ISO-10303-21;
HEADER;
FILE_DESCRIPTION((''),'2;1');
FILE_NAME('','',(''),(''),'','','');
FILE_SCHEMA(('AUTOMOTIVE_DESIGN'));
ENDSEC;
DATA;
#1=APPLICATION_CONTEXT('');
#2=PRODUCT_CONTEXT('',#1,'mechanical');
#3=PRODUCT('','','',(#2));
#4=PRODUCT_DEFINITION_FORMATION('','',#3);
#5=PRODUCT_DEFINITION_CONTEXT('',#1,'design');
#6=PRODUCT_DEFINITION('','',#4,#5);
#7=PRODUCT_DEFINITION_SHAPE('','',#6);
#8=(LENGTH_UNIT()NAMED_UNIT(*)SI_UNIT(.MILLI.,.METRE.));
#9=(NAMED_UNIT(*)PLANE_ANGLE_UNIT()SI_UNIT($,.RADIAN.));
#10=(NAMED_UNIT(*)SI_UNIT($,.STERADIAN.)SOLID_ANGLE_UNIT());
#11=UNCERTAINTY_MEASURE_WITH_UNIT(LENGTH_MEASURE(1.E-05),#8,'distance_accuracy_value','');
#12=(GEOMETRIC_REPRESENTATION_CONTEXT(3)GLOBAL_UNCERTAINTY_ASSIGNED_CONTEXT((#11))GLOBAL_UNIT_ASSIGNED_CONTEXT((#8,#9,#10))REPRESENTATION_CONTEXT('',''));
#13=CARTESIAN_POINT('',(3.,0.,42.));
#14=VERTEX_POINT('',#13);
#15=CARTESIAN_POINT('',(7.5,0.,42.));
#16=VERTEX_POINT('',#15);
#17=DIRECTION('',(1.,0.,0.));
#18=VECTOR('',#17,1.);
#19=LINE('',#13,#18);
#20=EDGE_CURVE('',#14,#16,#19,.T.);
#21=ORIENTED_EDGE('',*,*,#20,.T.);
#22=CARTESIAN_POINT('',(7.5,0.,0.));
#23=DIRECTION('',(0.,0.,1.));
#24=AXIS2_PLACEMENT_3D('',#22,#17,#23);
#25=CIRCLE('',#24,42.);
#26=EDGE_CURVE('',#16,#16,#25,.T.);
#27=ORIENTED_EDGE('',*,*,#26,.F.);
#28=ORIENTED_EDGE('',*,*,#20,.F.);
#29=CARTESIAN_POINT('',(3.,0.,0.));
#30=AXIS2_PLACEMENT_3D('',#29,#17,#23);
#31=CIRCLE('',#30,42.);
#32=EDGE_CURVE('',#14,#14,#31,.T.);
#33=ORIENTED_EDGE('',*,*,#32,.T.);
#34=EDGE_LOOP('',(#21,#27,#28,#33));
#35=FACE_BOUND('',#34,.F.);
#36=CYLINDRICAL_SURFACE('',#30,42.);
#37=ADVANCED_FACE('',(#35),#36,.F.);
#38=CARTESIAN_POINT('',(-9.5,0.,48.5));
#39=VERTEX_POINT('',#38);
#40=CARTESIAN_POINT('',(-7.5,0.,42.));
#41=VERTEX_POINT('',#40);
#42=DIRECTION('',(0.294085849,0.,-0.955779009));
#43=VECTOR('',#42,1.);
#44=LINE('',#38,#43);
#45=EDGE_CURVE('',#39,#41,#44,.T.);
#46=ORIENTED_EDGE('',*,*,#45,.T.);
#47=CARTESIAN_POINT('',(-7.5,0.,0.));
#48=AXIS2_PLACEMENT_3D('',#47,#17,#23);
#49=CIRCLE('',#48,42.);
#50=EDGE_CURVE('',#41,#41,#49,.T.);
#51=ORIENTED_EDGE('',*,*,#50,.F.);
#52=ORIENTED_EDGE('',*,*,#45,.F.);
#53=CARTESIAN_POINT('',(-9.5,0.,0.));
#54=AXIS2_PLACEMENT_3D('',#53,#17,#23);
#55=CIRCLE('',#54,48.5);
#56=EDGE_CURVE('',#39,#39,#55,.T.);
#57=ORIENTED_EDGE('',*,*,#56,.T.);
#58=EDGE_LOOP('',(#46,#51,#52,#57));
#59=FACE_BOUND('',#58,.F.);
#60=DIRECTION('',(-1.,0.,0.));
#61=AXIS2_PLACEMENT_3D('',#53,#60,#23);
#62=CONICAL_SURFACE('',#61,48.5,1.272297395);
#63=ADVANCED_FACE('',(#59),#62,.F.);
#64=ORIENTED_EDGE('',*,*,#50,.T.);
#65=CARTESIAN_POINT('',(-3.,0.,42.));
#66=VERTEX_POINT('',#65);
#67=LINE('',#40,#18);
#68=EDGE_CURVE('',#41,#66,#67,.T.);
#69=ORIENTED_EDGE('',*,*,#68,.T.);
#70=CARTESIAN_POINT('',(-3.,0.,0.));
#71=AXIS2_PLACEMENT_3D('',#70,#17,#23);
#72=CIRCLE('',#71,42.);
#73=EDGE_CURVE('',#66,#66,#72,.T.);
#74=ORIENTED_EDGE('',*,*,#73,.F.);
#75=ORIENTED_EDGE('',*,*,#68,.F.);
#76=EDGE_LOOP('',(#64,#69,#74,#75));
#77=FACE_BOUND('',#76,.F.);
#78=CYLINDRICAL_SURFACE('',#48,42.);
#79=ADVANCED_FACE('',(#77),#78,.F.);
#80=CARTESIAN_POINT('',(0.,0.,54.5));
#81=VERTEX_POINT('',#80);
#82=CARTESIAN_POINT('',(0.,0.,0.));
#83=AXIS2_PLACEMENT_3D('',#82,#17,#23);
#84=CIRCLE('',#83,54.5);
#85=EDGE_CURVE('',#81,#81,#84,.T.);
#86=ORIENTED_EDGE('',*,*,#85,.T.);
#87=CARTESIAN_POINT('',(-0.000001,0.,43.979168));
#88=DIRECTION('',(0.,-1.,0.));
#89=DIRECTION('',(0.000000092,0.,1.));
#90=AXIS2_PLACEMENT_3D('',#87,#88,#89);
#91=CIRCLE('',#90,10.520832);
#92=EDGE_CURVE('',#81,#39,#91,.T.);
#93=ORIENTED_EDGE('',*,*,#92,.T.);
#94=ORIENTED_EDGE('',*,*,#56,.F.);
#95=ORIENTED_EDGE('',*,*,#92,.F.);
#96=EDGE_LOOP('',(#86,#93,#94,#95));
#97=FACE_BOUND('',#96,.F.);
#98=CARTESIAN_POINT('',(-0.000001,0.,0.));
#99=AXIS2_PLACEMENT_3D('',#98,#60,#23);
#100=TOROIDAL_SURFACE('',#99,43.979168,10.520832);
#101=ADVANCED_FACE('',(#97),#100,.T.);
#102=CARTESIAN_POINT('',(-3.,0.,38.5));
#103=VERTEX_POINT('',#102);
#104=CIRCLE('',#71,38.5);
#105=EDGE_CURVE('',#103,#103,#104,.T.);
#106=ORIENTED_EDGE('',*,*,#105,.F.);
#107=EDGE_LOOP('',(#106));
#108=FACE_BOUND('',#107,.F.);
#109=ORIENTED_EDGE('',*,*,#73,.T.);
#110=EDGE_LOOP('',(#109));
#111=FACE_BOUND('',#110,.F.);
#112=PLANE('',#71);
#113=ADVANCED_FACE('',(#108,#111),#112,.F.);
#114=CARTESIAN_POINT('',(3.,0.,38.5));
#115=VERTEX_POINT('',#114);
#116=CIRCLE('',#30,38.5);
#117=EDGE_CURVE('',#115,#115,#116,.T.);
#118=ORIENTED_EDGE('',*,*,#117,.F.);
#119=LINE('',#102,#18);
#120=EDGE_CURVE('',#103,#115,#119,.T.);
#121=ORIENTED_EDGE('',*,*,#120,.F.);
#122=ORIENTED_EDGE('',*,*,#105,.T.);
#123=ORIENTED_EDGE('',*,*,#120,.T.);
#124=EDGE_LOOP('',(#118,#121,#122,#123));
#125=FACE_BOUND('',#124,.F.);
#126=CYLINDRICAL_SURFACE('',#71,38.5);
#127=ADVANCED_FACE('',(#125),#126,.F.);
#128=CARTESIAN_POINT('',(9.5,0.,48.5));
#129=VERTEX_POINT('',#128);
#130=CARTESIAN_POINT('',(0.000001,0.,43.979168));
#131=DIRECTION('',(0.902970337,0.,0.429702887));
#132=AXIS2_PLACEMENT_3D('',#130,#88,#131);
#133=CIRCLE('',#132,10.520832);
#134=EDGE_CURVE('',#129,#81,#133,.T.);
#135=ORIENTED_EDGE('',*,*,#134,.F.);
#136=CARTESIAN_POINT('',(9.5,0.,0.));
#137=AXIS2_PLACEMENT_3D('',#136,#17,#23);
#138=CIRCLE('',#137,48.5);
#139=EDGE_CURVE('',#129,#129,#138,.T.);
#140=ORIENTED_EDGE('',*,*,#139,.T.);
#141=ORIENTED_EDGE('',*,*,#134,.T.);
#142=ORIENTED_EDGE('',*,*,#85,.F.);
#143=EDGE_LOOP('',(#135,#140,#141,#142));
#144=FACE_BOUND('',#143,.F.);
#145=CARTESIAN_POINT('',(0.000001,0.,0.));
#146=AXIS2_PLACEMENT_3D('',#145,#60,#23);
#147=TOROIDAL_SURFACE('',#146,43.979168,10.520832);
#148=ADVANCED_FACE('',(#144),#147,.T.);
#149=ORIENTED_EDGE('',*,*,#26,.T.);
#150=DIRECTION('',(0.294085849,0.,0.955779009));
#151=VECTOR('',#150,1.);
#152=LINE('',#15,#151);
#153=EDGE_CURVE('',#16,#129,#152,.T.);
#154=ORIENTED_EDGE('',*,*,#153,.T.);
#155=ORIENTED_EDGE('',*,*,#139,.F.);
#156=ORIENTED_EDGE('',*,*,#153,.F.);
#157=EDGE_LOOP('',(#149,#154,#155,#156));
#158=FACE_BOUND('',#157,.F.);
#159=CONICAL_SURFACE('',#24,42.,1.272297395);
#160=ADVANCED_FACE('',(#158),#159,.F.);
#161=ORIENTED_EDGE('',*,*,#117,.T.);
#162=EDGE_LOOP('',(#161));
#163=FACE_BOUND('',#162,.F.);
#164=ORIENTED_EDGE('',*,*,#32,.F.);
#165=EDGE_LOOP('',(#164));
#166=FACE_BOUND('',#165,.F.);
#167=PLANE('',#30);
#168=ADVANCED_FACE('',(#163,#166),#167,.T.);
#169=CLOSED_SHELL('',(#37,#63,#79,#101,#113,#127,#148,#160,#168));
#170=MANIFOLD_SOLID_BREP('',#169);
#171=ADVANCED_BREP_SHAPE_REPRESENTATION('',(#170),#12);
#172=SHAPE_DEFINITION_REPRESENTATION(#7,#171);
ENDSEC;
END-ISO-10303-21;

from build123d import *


with BuildPart() as f1:
    # F0 (on Front) → F1 (revolve)
    with BuildSketch(Plane.XZ):
        with BuildLine():
            Line((-3, 38.5), (0, 38.5))
            Line((0, 38.5), (3, 38.5))
            Line((3, 38.5), (3, 42))
            Line((3, 42), (7.5, 42))
            Line((7.5, 42), (9.5, 48.5))
            ThreePointArc((9.5, 48.5), (5.618051, 52.874415), (0, 54.5))
            ThreePointArc((0, 54.5), (-5.618051, 52.874415), (-9.5, 48.5))
            Line((-9.5, 48.5), (-7.5, 42))
            Line((-7.5, 42), (-3, 42))
            Line((-3, 42), (-3, 38.5))
        make_face()
    revolve(axis=Axis((1.137464, 0, 0), (1, 0, 0)))


solid = f1.part
